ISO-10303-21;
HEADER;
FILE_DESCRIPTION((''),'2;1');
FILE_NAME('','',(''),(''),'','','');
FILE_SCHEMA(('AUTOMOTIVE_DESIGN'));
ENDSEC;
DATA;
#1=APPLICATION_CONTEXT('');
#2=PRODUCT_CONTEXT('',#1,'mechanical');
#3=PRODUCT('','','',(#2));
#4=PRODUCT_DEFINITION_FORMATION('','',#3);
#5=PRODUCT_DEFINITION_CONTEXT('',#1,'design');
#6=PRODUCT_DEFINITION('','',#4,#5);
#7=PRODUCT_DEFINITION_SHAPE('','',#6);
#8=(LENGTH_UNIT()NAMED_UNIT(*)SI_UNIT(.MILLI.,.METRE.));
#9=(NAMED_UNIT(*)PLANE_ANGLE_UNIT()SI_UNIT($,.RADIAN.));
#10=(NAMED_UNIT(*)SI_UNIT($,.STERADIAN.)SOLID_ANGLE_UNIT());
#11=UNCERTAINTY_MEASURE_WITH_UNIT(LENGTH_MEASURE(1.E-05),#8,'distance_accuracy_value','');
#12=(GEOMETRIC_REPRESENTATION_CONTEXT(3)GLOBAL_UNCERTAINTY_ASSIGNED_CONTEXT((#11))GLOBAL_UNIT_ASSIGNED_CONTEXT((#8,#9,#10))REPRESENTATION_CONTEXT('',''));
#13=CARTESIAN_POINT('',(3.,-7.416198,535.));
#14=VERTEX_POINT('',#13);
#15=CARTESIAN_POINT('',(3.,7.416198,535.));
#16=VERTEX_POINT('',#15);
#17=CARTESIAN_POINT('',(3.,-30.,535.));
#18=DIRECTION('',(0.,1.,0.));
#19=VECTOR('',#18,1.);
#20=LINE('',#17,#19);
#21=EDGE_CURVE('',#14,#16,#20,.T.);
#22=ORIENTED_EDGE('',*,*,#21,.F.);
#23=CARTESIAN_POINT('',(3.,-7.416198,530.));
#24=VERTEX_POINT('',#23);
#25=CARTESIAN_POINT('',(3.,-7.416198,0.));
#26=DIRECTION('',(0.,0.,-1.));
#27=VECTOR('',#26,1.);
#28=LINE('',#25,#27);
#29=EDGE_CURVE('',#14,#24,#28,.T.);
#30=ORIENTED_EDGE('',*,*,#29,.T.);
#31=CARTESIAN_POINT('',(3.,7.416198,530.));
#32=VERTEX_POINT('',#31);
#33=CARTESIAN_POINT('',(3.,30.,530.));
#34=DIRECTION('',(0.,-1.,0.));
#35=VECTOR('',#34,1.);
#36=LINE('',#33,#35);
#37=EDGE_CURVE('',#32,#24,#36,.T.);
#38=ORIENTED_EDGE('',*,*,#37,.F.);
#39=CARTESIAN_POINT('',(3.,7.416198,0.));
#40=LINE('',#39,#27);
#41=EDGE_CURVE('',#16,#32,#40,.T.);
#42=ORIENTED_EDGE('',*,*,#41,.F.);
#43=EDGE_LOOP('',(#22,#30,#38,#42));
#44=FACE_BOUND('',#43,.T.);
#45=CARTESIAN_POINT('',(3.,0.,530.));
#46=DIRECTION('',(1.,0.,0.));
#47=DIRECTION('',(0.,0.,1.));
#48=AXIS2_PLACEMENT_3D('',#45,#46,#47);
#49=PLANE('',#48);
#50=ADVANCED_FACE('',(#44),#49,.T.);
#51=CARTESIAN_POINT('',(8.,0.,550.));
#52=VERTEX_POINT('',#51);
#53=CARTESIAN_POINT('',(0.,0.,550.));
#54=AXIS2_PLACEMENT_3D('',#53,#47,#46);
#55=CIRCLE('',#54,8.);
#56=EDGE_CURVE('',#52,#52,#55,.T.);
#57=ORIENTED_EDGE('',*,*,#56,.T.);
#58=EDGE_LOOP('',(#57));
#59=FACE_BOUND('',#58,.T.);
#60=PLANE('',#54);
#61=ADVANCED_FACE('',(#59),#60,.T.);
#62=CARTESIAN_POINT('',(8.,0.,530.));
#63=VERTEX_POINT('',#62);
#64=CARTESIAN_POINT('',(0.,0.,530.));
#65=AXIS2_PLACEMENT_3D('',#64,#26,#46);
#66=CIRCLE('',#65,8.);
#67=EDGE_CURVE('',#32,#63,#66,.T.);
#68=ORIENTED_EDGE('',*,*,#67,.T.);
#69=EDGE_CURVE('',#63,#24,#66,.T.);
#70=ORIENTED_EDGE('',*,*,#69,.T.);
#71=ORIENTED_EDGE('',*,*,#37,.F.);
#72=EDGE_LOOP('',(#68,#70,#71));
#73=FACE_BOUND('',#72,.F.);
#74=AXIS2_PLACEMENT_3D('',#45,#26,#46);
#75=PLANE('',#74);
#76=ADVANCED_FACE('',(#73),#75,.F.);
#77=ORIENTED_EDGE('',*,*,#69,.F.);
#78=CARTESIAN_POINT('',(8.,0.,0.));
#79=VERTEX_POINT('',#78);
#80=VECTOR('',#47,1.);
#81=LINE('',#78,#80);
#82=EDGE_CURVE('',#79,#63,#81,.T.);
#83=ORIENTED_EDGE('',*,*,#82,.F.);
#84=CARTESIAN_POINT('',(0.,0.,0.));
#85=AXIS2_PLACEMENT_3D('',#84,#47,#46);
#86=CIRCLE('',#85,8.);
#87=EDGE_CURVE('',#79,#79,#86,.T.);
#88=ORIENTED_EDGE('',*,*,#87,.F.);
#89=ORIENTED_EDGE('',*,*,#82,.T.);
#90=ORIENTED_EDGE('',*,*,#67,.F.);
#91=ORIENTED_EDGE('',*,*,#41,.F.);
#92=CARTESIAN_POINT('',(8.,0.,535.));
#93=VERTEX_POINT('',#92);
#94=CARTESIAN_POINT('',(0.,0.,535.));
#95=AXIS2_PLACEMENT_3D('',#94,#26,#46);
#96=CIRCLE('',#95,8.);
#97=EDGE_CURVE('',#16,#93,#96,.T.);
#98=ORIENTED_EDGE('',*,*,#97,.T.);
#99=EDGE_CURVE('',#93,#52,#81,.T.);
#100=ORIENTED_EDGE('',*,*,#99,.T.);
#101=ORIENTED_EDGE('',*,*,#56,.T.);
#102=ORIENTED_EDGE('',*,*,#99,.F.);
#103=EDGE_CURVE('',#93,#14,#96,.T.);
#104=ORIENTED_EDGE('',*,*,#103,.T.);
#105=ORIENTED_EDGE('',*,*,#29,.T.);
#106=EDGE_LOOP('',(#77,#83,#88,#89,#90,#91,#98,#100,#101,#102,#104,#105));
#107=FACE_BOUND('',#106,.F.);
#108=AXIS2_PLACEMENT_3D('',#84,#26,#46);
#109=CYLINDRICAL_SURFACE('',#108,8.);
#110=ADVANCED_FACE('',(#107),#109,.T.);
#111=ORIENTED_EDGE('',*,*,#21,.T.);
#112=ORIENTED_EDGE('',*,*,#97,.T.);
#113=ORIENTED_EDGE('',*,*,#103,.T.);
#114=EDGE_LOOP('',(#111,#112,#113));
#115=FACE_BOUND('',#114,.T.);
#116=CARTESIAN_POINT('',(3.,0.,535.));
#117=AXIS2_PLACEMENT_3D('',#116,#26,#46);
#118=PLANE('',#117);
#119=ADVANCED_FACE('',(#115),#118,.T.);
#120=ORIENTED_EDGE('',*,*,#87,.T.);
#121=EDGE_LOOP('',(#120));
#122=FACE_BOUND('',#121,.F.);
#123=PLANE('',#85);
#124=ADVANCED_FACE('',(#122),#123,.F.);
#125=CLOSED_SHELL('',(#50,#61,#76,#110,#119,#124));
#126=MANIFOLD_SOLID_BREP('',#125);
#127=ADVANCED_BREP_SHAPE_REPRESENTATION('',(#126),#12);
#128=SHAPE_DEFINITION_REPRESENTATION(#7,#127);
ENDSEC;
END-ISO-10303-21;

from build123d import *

# Parameters (mm, degrees)
F0_R     = 8
F1_DEPTH = 550
F2_W     = 5
F2_H     = 5
F3_DEPTH = 30


with BuildPart() as f1:
    # F0 (on Top) → F1 (new body)
    with BuildSketch(Plane.XY):
        Circle(F0_R)
    extrude(amount=F1_DEPTH)

    # F2 (on Front) → F3 (cut, symmetric)
    with BuildSketch(Plane.XZ):
        with Locations((5.5, 532.5)):
            Rectangle(F2_W, F2_H)
    extrude(amount=F3_DEPTH, both=True, mode=Mode.SUBTRACT)


solid = f1.part
